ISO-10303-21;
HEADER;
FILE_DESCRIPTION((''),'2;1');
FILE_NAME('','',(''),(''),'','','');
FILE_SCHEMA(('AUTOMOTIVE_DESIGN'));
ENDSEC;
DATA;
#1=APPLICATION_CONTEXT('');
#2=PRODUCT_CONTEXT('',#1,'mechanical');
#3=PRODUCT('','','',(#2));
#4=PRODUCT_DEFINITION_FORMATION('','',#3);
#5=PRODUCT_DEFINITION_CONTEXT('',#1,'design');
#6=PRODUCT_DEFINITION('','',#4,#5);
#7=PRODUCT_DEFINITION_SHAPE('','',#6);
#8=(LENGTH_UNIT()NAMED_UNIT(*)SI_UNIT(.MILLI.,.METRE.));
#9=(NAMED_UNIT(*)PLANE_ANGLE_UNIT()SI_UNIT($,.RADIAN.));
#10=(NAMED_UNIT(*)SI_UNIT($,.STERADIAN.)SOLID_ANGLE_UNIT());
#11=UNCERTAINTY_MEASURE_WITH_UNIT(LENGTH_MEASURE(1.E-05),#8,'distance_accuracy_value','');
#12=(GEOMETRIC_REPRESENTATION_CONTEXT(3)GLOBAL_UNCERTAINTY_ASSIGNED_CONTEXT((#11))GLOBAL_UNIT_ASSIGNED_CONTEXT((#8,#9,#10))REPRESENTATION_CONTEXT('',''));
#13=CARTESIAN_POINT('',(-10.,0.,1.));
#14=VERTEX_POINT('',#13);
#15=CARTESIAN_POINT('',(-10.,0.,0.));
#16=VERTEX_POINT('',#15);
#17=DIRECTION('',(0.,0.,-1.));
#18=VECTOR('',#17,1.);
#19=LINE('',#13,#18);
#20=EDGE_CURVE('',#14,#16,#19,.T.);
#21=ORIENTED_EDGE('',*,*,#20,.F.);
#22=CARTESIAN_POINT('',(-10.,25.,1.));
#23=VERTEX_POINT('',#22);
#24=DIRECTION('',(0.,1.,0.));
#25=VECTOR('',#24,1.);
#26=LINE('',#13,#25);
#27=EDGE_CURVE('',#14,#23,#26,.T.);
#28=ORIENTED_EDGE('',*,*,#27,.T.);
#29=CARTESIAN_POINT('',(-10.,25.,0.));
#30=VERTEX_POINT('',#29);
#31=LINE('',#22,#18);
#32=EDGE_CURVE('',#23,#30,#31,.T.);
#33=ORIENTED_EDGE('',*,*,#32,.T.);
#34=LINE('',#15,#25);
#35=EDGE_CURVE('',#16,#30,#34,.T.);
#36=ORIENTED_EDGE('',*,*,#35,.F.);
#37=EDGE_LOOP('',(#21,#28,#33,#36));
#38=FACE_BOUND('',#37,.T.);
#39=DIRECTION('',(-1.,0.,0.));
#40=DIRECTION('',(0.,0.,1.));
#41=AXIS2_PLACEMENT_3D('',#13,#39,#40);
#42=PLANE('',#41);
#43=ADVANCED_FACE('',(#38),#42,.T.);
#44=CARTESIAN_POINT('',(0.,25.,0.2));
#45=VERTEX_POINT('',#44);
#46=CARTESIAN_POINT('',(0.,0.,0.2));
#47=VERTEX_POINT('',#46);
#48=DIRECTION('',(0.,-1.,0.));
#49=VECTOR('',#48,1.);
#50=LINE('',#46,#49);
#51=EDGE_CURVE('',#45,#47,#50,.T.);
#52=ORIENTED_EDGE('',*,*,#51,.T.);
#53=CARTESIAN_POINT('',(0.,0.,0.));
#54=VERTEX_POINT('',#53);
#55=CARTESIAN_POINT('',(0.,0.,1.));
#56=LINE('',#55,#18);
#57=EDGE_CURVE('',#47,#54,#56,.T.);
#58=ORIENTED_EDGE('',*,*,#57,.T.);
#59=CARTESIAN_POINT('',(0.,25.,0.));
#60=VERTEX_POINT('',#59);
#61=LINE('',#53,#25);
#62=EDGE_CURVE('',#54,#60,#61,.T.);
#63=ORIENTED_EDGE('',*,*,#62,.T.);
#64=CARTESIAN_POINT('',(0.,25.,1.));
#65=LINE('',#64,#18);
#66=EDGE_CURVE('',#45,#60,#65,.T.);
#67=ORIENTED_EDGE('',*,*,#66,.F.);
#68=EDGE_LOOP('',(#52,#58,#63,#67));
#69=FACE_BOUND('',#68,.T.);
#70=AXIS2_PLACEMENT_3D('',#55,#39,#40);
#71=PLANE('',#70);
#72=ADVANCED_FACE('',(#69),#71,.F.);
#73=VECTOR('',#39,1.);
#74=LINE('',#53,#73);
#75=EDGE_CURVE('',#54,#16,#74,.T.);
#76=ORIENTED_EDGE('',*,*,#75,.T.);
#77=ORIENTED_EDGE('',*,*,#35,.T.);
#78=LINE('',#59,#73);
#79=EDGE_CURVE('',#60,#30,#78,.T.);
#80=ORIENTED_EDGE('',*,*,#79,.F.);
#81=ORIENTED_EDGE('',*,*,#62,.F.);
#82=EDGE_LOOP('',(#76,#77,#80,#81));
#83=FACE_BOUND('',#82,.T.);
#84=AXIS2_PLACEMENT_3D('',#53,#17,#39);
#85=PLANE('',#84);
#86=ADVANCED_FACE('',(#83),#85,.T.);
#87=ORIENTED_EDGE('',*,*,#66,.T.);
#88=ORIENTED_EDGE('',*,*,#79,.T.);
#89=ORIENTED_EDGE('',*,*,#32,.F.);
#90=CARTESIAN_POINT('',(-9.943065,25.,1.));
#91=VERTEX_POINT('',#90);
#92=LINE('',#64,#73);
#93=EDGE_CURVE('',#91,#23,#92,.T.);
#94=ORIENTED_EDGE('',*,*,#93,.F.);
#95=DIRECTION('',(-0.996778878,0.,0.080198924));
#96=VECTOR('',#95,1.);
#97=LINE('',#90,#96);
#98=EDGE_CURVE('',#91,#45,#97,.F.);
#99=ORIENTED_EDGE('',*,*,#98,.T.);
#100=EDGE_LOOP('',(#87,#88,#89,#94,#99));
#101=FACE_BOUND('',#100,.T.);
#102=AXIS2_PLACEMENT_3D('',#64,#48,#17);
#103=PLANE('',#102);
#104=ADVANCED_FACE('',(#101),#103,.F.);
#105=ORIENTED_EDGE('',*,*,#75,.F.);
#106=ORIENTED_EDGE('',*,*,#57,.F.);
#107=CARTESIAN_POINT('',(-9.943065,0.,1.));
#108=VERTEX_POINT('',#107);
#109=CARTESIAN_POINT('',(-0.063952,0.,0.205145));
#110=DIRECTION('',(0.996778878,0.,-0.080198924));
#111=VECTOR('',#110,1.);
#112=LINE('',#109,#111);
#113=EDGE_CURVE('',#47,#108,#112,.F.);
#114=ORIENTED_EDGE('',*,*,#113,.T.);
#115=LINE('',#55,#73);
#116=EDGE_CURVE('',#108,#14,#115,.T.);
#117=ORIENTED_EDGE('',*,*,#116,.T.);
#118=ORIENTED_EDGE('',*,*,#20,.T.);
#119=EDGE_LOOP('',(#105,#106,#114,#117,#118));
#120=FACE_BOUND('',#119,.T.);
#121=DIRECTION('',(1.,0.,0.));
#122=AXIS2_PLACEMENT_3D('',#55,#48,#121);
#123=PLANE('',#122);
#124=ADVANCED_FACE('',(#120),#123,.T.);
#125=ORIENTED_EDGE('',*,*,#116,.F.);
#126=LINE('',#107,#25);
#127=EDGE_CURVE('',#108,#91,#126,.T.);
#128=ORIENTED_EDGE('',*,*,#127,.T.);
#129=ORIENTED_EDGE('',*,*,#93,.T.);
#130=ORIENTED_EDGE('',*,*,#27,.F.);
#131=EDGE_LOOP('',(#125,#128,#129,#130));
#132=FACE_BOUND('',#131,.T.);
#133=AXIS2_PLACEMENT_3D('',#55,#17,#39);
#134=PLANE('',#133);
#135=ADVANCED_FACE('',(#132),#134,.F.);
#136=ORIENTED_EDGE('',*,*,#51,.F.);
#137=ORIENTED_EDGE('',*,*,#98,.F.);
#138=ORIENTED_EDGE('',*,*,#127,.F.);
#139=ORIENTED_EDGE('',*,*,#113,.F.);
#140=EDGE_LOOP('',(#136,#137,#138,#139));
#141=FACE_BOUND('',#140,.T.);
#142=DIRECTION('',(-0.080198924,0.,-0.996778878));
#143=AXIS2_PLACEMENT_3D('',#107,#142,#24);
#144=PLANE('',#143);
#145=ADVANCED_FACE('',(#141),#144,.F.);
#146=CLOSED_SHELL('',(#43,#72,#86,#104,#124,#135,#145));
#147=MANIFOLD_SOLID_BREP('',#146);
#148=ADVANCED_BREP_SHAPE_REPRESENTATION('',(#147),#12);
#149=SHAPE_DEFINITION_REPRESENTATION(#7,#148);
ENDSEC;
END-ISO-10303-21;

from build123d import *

# Parameters (mm, degrees)
SKETCH1_W           = 10
SKETCH1_H           = 25
BOSS_EXTRUDE1_DEPTH = 1
CHAMFER1_SIZE       = 0.8
CHAMFER1_SIZE2      = 9.943064816


with BuildPart() as part:
    # Sketch1 → Boss-Extrude1 (new body)
    with BuildSketch(Plane.XY):
        with Locations((-5, 12.5)):
            Rectangle(SKETCH1_W, SKETCH1_H)
    extrude(amount=BOSS_EXTRUDE1_DEPTH)

    # Chamfer1
    chamfer1_edges = [part.edges().sort_by_distance(p)[0] for p in [
        (0, 12.5, 1),
    ]]
    chamfer1_side = [part.faces().sort_by_distance(p)[0] for p in [
        (0, 12.5, 0.5),
    ]]
    chamfer(chamfer1_edges, length=CHAMFER1_SIZE, length2=CHAMFER1_SIZE2, reference=chamfer1_side[0])


solid = part.part
